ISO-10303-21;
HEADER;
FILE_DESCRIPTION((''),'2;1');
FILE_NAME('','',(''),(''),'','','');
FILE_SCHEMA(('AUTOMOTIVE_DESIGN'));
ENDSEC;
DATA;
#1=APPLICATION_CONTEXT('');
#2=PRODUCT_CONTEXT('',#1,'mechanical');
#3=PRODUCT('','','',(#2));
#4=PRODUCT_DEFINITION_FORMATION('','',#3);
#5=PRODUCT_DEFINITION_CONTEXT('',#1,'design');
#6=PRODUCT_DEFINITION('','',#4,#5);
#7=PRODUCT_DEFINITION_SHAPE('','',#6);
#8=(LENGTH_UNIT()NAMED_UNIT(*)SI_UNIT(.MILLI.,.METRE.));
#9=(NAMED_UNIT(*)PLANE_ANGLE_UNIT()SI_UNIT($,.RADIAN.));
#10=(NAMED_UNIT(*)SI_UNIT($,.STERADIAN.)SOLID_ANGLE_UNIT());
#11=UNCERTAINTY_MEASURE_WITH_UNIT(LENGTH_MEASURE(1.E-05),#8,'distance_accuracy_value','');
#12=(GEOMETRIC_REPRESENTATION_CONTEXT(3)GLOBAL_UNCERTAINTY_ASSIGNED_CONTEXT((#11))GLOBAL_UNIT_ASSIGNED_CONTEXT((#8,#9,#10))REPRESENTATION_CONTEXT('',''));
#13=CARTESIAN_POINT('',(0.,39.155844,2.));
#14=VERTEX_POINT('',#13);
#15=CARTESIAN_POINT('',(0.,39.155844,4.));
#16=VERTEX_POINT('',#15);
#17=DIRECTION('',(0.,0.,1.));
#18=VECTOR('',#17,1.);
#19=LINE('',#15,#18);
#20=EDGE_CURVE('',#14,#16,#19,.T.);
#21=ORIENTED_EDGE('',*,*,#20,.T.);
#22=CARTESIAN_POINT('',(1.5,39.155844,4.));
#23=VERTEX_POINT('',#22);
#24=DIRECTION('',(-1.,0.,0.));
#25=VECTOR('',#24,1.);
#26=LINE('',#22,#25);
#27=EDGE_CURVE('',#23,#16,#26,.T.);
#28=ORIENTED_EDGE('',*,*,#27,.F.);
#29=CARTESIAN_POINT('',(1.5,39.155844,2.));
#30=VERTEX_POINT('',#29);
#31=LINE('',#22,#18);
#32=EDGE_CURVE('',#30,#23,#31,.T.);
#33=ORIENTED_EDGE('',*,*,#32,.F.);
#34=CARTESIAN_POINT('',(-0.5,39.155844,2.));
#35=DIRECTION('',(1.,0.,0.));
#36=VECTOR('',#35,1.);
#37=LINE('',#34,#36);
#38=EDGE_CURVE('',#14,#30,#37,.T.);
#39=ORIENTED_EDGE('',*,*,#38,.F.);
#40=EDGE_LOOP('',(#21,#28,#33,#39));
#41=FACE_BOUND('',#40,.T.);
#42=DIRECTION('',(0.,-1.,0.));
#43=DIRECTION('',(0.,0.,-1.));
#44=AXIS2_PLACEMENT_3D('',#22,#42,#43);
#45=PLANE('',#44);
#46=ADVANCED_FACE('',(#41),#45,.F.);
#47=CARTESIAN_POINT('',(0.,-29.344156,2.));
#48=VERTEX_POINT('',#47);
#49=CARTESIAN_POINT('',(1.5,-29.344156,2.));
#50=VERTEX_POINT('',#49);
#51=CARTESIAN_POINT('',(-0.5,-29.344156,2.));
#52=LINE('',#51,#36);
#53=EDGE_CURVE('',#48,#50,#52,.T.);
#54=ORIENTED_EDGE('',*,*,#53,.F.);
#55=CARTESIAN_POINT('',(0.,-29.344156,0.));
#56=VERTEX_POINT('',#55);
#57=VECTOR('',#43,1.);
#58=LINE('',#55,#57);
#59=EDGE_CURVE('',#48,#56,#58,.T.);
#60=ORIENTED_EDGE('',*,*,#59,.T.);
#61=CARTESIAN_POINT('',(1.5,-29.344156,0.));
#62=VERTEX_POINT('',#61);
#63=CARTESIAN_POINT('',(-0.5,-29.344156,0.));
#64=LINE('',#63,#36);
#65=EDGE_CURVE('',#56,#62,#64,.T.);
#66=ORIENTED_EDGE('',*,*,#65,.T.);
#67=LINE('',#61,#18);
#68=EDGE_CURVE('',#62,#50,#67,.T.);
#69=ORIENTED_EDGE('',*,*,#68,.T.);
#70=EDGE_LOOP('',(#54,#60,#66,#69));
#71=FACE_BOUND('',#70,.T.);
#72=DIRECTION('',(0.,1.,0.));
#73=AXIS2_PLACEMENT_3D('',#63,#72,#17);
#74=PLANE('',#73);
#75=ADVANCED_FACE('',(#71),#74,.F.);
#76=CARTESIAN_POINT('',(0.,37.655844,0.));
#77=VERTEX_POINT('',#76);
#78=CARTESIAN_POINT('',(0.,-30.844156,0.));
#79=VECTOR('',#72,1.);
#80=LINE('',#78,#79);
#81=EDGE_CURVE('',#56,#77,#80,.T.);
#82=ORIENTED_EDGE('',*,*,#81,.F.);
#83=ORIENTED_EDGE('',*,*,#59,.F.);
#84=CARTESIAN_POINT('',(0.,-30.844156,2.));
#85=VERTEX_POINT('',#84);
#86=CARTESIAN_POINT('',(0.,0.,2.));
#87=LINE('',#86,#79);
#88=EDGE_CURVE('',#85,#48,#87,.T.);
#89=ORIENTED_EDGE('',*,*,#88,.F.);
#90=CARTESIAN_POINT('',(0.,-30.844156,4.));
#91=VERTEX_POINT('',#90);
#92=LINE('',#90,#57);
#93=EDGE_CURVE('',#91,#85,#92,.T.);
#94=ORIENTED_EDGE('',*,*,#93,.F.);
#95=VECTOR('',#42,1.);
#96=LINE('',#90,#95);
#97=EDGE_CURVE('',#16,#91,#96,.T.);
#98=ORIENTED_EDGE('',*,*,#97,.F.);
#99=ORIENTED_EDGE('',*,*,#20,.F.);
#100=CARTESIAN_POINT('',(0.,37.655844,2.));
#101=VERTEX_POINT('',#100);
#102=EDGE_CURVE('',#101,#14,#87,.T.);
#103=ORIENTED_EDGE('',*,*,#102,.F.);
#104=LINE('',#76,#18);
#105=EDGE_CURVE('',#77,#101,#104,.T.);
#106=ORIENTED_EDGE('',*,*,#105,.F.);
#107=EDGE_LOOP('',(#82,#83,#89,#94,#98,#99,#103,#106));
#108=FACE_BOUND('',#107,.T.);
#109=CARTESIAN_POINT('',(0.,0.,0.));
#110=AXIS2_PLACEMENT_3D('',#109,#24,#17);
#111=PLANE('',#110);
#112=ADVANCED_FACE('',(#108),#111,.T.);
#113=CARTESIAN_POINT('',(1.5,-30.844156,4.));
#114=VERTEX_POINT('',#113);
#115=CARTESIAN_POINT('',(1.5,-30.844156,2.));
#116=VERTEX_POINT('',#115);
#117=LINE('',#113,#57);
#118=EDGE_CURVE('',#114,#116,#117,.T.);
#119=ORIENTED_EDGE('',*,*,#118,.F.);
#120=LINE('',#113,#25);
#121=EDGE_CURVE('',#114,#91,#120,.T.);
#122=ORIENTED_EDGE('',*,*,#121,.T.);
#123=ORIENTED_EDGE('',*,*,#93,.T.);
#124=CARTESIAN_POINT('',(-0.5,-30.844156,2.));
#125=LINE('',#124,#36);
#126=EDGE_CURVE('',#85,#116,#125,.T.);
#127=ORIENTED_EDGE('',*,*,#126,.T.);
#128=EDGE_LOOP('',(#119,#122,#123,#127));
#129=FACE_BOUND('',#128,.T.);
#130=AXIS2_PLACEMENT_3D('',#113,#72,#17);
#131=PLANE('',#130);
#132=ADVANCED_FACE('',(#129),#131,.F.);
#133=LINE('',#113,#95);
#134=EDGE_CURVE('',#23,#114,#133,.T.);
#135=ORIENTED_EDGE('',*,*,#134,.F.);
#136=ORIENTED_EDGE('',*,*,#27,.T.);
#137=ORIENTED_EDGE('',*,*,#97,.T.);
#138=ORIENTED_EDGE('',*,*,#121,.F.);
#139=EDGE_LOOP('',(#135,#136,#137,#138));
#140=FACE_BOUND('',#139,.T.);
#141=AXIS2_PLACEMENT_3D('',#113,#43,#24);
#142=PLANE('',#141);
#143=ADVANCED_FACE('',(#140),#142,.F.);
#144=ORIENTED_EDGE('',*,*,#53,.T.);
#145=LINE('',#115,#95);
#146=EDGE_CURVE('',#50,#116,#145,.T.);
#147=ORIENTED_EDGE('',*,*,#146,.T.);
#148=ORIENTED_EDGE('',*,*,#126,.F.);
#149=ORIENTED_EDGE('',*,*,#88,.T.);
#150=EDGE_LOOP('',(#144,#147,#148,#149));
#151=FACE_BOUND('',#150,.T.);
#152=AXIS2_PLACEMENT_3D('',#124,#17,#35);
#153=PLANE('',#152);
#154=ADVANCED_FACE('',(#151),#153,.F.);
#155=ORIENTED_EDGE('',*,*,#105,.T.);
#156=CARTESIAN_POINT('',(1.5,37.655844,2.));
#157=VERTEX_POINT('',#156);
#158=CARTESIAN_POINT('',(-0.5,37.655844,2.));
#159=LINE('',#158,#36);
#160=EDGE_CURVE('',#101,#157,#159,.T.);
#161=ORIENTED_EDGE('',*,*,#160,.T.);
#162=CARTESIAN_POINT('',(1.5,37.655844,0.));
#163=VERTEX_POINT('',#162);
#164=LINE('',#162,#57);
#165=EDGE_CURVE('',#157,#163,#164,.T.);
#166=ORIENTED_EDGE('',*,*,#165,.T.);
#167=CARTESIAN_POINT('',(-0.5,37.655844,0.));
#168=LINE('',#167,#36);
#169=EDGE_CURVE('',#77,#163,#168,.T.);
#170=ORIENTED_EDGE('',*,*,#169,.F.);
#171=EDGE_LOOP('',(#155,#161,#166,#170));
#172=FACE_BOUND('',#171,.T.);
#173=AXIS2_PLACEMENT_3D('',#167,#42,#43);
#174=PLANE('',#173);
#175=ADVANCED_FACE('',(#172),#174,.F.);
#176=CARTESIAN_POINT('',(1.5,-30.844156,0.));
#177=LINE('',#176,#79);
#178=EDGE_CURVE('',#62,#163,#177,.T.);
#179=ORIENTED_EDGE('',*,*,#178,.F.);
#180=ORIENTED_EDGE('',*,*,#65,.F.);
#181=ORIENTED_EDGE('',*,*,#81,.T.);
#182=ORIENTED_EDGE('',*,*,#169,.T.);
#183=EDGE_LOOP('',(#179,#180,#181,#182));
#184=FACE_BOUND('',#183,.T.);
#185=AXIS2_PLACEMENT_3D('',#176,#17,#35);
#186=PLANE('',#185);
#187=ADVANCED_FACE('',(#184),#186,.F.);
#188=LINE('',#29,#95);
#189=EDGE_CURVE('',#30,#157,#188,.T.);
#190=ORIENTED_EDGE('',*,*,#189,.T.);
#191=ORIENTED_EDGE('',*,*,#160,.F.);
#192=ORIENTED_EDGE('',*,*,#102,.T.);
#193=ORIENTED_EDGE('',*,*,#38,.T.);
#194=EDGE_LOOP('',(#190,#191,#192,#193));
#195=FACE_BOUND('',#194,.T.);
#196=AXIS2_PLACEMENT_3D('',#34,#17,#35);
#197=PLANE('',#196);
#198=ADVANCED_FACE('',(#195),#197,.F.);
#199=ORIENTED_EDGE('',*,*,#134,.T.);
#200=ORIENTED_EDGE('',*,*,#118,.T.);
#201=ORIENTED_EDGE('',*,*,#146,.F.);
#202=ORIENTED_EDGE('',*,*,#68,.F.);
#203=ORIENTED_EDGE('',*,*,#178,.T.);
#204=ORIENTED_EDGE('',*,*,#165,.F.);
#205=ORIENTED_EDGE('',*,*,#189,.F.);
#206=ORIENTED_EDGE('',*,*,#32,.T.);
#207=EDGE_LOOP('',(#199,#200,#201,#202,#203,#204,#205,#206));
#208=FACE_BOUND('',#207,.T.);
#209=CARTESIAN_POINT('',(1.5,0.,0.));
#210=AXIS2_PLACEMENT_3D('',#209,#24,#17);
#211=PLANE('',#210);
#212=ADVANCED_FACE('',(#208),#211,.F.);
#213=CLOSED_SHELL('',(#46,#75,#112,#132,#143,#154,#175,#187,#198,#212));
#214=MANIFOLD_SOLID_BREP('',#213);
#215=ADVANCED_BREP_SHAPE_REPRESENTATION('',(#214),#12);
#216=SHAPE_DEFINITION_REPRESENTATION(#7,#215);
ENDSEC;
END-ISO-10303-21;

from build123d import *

# Parameters (mm, degrees)
SKETCH1_W           = 4
SKETCH1_H           = 70
BOSS_EXTRUDE1_DEPTH = 1.5
SKETCH3_W           = 2
SKETCH3_H           = 1.5
CUT_EXTRUDE1_DEPTH  = 2


with BuildPart() as part:
    # Sketch1 → Boss-Extrude1 (new body)
    with BuildSketch(Plane(origin=(0, 0, 0), x_dir=(0, 0, -1), z_dir=(1, 0, 0))):
        with Locations((-2, 4.155844156)):
            Rectangle(SKETCH1_W, SKETCH1_H)
    extrude(amount=BOSS_EXTRUDE1_DEPTH)

    # Sketch3 → Cut-Extrude1 (cut)
    with BuildSketch(Plane(origin=(1.5, 0, 0), x_dir=(0, 0, -1), z_dir=(1, 0, 0))):
        with Locations((-1, 38.405844156)):
            Rectangle(SKETCH3_W, SKETCH3_H)
        with Locations((-1, -30.094155844)):
            Rectangle(SKETCH3_W, SKETCH3_H)
    extrude(amount=-CUT_EXTRUDE1_DEPTH, mode=Mode.SUBTRACT)


solid = part.part
